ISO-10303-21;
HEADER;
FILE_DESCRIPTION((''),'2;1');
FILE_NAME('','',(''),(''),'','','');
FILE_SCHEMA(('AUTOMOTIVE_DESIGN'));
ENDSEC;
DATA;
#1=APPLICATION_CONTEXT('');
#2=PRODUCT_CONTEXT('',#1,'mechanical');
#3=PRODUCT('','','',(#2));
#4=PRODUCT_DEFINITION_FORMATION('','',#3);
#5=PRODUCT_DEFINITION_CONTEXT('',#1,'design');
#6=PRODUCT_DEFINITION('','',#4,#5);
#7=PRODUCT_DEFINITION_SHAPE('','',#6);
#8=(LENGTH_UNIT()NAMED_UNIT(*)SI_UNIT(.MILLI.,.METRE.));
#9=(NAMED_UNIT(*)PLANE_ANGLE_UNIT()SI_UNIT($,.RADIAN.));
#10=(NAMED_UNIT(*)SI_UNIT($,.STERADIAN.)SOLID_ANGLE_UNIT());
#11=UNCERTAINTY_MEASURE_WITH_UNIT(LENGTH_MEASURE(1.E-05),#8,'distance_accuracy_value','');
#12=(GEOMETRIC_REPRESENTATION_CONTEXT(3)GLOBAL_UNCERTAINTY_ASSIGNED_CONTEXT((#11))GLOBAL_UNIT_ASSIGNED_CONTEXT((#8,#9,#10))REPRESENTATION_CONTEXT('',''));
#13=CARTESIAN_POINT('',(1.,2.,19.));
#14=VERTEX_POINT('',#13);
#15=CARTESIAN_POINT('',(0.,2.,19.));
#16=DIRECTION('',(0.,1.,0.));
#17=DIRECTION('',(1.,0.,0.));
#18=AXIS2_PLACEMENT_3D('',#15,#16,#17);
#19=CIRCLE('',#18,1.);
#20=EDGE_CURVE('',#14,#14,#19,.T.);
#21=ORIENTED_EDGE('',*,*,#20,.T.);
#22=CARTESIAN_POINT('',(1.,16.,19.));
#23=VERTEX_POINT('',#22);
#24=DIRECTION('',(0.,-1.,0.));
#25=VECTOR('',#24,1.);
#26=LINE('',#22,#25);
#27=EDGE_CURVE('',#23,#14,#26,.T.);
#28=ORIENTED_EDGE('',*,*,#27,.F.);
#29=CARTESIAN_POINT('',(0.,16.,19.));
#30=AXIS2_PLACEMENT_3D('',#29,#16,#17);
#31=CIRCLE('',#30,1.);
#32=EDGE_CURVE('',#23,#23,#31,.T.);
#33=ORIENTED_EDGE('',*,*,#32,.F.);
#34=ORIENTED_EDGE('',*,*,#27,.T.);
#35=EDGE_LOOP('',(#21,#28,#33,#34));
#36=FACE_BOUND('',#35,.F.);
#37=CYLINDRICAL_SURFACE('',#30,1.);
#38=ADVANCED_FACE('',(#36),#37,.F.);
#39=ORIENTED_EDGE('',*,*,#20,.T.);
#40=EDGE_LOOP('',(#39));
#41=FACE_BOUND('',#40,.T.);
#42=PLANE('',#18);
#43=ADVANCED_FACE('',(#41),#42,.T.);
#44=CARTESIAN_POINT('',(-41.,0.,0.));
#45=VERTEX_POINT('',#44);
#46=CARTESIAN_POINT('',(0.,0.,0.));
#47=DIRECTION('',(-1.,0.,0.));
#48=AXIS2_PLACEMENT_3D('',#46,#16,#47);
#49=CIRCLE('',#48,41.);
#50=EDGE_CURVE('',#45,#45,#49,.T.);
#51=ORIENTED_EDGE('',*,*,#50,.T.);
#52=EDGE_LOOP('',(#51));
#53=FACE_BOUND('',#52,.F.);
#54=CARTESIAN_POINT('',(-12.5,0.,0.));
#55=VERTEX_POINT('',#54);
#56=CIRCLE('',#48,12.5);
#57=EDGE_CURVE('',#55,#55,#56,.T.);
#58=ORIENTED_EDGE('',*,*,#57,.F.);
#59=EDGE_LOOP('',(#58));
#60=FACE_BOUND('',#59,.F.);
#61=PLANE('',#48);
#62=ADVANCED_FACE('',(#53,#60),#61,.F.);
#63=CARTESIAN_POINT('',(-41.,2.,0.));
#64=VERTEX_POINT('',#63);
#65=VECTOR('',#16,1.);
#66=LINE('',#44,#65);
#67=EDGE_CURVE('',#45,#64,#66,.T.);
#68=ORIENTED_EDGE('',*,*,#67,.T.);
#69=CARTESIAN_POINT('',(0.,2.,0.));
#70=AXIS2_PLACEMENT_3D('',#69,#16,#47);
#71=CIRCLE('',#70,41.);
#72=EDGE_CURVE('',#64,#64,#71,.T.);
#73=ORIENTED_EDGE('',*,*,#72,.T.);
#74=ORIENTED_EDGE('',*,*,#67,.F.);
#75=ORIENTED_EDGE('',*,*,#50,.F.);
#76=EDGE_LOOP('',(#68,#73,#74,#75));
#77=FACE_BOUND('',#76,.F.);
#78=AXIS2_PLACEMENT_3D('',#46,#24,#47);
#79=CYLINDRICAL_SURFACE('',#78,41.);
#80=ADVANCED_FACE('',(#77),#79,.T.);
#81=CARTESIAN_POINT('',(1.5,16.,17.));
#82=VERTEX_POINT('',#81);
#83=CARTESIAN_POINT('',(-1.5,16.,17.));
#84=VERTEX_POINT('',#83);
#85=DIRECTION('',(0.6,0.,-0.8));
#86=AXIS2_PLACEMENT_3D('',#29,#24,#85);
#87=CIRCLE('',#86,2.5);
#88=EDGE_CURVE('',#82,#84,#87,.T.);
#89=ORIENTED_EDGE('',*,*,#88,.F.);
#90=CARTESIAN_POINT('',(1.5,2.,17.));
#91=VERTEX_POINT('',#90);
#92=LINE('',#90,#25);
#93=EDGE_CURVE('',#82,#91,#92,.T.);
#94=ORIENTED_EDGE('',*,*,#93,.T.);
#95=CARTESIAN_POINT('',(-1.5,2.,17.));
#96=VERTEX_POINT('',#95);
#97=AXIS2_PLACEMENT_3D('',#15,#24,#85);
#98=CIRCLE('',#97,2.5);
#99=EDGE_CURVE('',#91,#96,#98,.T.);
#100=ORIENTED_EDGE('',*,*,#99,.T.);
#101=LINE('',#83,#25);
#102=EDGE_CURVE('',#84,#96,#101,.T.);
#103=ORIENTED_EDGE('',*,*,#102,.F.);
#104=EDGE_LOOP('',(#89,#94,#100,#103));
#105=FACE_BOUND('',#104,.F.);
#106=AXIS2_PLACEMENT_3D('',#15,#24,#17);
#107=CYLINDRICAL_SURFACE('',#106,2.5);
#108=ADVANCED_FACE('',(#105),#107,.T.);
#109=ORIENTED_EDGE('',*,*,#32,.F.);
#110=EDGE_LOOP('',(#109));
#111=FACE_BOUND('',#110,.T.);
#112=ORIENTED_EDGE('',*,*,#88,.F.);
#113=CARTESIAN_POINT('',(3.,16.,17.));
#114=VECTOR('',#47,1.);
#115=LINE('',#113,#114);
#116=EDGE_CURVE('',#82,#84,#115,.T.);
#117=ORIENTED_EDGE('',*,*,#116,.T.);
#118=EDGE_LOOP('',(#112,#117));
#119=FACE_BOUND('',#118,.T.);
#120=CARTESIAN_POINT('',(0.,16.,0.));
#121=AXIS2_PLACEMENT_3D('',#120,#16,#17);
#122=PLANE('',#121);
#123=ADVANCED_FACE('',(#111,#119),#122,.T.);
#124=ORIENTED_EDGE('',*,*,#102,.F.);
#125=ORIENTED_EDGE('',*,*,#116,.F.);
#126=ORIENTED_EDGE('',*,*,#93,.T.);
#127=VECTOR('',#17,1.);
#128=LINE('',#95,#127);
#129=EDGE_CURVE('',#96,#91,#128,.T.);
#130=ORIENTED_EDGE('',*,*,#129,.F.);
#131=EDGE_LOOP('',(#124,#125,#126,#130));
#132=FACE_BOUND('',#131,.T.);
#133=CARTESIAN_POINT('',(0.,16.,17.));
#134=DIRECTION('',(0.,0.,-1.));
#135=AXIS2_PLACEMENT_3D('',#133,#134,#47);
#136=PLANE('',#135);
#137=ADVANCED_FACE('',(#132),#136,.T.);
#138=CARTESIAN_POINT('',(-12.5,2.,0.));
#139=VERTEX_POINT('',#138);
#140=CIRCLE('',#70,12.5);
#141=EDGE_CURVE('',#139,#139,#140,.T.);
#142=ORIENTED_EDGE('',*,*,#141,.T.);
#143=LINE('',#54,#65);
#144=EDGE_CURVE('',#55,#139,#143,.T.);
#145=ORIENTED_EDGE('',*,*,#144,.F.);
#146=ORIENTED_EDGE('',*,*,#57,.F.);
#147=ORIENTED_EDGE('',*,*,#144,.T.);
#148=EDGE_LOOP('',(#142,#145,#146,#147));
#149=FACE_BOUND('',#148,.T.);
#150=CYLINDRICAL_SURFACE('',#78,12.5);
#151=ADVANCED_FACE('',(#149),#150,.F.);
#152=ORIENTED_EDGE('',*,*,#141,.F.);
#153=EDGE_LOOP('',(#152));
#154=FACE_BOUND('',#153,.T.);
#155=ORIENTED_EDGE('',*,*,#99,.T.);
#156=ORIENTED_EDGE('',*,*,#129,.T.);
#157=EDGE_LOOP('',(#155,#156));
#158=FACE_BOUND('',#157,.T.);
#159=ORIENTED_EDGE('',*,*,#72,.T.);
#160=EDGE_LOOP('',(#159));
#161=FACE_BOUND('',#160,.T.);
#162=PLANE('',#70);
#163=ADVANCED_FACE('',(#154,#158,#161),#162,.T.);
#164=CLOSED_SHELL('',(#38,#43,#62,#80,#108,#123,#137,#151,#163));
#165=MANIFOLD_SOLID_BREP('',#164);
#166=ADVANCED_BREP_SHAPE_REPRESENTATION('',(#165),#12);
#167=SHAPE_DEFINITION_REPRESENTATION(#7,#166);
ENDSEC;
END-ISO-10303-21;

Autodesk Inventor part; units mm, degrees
ref_plane "YZ Plane" through (0, 0, 0) normal (1, 0, 0) x (0, 1, 0)
ref_plane "XZ Plane" through (0, 0, 0) normal (0, 1, 0) x (-1, 0, 0)
ref_plane "XY Plane" through (0, 0, 0) normal (0, 0, 1) x (1, 0, 0)
sketch "Sketch1" plane through (0, 0, 0) normal (0, 1, 0) x (-1, 0, 0)
  circle A0 centre (0, 0) radius 41
  circle A1 centre (0, 0) radius 12.5
  dimension "d0" = 82
  dimension "d1" = 25
extrude "Extrusion1" add sketch "Sketch1" along normal blind 2
sketch "Sketch2" plane through (0, 2, 0) normal (0, 1, 0) x (1, 0, 0)
  line L0 (0, 0) -> (0, -19)
  line L1 (0, 0) -> (19, 0) construction
  circle A0 centre (0, -19) radius 2.5
  dimension "d4" = 19
  dimension "d5" = 90
  dimension "d6" = 5
extrude "Extrusion2" add sketch "Sketch2" along normal blind 14
sketch "Sketch3" plane through (0, 16, 19) normal (0, 1, 0) x (1, 0, 0)
  circle A0 centre (0, 0) radius 2.5 projected
  circle A1 centre (0, 0) radius 1
  point P0 (0, 19)
  dimension "d9" = 2
extrude "Extrusion3" cut sketch "Sketch3" against normal blind 14 contours A1
sketch "Sketch4" plane through (0, 16, 19) normal (0, 1, 0) x (1, 0, 0)
  circle A0 centre (0, 0) radius 1 projected
  line L0 (0, 0) -> (0, 2.5)
  circle A1 centre (0, 0) radius 2.5 projected
  line L1 (0, 2.5) -> (0, 2)
  line L2 (0, 2) -> (-3, 2)
  line L3 (-3, 2) -> (-3, 2.5)
  line L4 (-3, 2.5) -> (0, 2.5)
  line L5 (0, 2.5) -> (0, 2)
  line L6 (0, 2) -> (3, 2)
  line L7 (3, 2) -> (3, 2.5)
  line L8 (3, 2.5) -> (0, 2.5)
  point P0 (0, 19)
  point P1 (-1.5, 2)
  dimension "d12" = 0.5
  dimension "d13" = 3
  dimension "d14" = 0.5
  dimension "d15" = 3
extrude "Extrusion4" cut sketch "Sketch4" against normal blind 14 contours L2 A1 L0 | L0 A1 L6 | L8 L7 L6 A1
properties part number "lid"
